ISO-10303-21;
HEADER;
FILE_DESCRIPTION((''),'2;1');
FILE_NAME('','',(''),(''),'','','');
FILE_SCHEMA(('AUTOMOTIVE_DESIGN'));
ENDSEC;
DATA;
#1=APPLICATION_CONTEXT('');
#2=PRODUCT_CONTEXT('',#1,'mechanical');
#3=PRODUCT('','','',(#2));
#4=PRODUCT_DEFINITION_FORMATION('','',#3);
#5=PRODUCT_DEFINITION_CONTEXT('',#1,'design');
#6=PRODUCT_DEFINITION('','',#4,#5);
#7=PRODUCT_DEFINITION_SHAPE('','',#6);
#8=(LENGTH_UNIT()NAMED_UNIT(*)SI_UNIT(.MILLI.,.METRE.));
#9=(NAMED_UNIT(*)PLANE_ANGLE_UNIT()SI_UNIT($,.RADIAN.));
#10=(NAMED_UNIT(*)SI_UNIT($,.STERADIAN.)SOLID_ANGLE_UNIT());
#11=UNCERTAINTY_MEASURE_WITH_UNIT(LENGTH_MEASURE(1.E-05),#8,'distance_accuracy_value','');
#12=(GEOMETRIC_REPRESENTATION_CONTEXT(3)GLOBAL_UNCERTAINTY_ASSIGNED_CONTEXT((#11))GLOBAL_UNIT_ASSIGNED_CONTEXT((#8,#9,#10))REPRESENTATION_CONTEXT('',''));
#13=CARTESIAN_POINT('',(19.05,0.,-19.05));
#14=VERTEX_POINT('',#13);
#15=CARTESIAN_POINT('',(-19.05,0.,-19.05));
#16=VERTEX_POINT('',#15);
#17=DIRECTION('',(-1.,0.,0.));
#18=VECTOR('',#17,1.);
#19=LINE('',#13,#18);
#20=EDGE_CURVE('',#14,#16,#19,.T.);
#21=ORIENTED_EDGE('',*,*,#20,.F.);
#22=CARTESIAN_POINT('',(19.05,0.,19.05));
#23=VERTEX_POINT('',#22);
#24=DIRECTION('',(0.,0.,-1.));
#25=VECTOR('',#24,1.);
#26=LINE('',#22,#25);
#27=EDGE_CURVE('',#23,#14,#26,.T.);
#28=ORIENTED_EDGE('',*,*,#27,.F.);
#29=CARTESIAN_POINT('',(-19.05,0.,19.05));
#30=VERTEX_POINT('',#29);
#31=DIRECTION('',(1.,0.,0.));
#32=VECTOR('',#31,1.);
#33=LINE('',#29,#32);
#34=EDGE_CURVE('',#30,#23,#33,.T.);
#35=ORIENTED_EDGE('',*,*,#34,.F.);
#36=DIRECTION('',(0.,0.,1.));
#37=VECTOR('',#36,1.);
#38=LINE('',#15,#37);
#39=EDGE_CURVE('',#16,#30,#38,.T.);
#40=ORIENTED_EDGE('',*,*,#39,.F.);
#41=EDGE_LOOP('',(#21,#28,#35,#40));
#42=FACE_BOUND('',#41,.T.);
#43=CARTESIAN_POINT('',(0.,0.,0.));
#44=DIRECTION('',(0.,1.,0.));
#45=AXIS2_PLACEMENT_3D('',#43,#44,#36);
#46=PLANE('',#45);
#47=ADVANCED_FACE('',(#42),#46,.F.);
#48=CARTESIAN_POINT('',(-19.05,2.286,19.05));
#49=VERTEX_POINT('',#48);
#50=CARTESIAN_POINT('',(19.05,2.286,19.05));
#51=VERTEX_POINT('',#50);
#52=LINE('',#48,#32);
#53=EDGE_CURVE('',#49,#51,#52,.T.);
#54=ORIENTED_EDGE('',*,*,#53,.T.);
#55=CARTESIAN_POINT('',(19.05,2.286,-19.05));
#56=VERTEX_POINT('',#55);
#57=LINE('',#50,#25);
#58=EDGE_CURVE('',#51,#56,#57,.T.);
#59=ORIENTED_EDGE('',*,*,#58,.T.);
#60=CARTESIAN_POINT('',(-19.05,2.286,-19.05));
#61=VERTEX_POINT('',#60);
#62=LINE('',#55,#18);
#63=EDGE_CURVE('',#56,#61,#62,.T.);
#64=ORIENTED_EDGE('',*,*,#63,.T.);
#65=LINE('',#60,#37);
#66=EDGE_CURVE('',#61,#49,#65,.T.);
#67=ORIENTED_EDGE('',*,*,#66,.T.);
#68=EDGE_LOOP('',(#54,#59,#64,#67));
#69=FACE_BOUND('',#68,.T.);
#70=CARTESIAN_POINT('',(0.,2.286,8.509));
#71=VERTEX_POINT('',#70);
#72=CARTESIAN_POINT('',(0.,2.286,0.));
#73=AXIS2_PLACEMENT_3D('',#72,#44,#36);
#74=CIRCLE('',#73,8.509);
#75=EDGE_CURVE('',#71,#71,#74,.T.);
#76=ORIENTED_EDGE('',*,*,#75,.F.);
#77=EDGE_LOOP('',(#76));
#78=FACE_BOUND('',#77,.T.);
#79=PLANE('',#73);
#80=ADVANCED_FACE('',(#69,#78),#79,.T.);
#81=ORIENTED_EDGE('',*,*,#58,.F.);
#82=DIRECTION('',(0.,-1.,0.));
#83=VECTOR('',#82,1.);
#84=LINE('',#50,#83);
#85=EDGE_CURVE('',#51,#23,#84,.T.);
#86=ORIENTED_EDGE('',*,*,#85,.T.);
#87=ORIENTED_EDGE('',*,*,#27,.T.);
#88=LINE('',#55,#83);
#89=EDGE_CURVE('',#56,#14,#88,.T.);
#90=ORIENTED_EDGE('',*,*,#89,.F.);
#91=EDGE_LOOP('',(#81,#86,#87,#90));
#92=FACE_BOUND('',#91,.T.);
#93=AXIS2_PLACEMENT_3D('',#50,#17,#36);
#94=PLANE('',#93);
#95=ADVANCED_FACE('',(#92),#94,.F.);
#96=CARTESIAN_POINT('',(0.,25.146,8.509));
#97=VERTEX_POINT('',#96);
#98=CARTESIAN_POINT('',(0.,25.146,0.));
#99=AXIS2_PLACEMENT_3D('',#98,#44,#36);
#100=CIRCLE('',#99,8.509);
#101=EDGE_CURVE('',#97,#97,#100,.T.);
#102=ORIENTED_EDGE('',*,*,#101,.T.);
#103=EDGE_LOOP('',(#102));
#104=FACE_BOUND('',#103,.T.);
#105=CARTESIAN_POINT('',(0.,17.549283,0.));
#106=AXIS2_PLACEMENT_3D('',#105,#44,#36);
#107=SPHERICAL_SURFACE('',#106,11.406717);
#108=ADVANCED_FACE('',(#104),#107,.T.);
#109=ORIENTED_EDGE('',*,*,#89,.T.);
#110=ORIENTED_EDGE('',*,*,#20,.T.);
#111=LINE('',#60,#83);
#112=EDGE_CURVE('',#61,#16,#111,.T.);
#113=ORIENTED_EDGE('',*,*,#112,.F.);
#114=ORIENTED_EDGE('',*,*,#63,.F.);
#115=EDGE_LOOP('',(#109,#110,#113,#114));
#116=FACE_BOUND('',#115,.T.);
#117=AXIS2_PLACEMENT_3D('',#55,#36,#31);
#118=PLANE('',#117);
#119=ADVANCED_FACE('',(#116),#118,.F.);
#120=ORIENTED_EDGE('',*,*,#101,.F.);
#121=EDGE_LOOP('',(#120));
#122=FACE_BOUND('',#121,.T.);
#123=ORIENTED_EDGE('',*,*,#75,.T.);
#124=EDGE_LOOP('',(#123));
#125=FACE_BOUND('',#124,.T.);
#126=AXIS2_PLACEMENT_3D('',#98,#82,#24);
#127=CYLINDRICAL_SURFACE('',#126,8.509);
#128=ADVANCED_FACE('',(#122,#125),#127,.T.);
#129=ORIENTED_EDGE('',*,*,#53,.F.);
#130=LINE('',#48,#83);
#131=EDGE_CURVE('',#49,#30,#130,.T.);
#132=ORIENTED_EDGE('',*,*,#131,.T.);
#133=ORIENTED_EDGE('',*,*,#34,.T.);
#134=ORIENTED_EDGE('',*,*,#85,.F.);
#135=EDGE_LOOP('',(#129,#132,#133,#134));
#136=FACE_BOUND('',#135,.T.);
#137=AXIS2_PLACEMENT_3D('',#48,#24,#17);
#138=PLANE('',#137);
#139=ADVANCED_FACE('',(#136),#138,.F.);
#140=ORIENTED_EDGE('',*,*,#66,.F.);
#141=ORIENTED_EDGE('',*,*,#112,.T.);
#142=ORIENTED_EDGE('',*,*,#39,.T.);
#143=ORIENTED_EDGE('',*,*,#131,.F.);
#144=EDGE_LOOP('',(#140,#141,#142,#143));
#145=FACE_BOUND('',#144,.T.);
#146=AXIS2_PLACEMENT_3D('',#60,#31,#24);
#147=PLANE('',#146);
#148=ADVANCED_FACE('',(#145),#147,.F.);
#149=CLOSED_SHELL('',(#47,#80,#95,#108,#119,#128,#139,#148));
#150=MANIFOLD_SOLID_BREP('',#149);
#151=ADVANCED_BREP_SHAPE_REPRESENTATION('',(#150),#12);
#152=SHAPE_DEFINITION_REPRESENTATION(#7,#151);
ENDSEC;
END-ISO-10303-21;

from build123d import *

# Parameters (mm, degrees)
SKETCH3_W           = 38.1
SKETCH3_H           = 38.1
BOSS_EXTRUDE1_DEPTH = 2.286
SKETCH4_R           = 8.509
BOSS_EXTRUDE2_DEPTH = 22.86
DOME2_FACE_RADIUS   = 8.509
DOME2_HEIGHT        = 3.81


with BuildPart() as part:
    # Sketch3 → Boss-Extrude1 (new body)
    with BuildSketch(Plane(origin=(0, 0, 0), x_dir=(1, 0, 0), z_dir=(0, 1, 0))):
        Rectangle(SKETCH3_W, SKETCH3_H)
    extrude(amount=BOSS_EXTRUDE1_DEPTH)

    # Sketch4 → Boss-Extrude2 (add)
    with BuildSketch(Plane(origin=(0, 2.286, 0), x_dir=(1, 0, 0), z_dir=(0, 1, 0))):
        Circle(SKETCH4_R)
    extrude(amount=BOSS_EXTRUDE2_DEPTH)

    # Dome2: a dome of height H over a round flat face of radius A is a cap of a sphere of radius (A * A + H * H) / (2 * H)
    dome2_r = (DOME2_FACE_RADIUS * DOME2_FACE_RADIUS + DOME2_HEIGHT * DOME2_HEIGHT) / (2 * DOME2_HEIGHT)
    dome2_base = Plane((0, 25.146, 0), z_dir=(0, 1, 0))
    with Locations(dome2_base.offset(DOME2_HEIGHT - dome2_r)):
        dome2_ball = Sphere(dome2_r, mode=Mode.PRIVATE)
    add(split(dome2_ball, bisect_by=dome2_base, keep=Keep.TOP, mode=Mode.PRIVATE))


solid = part.part
